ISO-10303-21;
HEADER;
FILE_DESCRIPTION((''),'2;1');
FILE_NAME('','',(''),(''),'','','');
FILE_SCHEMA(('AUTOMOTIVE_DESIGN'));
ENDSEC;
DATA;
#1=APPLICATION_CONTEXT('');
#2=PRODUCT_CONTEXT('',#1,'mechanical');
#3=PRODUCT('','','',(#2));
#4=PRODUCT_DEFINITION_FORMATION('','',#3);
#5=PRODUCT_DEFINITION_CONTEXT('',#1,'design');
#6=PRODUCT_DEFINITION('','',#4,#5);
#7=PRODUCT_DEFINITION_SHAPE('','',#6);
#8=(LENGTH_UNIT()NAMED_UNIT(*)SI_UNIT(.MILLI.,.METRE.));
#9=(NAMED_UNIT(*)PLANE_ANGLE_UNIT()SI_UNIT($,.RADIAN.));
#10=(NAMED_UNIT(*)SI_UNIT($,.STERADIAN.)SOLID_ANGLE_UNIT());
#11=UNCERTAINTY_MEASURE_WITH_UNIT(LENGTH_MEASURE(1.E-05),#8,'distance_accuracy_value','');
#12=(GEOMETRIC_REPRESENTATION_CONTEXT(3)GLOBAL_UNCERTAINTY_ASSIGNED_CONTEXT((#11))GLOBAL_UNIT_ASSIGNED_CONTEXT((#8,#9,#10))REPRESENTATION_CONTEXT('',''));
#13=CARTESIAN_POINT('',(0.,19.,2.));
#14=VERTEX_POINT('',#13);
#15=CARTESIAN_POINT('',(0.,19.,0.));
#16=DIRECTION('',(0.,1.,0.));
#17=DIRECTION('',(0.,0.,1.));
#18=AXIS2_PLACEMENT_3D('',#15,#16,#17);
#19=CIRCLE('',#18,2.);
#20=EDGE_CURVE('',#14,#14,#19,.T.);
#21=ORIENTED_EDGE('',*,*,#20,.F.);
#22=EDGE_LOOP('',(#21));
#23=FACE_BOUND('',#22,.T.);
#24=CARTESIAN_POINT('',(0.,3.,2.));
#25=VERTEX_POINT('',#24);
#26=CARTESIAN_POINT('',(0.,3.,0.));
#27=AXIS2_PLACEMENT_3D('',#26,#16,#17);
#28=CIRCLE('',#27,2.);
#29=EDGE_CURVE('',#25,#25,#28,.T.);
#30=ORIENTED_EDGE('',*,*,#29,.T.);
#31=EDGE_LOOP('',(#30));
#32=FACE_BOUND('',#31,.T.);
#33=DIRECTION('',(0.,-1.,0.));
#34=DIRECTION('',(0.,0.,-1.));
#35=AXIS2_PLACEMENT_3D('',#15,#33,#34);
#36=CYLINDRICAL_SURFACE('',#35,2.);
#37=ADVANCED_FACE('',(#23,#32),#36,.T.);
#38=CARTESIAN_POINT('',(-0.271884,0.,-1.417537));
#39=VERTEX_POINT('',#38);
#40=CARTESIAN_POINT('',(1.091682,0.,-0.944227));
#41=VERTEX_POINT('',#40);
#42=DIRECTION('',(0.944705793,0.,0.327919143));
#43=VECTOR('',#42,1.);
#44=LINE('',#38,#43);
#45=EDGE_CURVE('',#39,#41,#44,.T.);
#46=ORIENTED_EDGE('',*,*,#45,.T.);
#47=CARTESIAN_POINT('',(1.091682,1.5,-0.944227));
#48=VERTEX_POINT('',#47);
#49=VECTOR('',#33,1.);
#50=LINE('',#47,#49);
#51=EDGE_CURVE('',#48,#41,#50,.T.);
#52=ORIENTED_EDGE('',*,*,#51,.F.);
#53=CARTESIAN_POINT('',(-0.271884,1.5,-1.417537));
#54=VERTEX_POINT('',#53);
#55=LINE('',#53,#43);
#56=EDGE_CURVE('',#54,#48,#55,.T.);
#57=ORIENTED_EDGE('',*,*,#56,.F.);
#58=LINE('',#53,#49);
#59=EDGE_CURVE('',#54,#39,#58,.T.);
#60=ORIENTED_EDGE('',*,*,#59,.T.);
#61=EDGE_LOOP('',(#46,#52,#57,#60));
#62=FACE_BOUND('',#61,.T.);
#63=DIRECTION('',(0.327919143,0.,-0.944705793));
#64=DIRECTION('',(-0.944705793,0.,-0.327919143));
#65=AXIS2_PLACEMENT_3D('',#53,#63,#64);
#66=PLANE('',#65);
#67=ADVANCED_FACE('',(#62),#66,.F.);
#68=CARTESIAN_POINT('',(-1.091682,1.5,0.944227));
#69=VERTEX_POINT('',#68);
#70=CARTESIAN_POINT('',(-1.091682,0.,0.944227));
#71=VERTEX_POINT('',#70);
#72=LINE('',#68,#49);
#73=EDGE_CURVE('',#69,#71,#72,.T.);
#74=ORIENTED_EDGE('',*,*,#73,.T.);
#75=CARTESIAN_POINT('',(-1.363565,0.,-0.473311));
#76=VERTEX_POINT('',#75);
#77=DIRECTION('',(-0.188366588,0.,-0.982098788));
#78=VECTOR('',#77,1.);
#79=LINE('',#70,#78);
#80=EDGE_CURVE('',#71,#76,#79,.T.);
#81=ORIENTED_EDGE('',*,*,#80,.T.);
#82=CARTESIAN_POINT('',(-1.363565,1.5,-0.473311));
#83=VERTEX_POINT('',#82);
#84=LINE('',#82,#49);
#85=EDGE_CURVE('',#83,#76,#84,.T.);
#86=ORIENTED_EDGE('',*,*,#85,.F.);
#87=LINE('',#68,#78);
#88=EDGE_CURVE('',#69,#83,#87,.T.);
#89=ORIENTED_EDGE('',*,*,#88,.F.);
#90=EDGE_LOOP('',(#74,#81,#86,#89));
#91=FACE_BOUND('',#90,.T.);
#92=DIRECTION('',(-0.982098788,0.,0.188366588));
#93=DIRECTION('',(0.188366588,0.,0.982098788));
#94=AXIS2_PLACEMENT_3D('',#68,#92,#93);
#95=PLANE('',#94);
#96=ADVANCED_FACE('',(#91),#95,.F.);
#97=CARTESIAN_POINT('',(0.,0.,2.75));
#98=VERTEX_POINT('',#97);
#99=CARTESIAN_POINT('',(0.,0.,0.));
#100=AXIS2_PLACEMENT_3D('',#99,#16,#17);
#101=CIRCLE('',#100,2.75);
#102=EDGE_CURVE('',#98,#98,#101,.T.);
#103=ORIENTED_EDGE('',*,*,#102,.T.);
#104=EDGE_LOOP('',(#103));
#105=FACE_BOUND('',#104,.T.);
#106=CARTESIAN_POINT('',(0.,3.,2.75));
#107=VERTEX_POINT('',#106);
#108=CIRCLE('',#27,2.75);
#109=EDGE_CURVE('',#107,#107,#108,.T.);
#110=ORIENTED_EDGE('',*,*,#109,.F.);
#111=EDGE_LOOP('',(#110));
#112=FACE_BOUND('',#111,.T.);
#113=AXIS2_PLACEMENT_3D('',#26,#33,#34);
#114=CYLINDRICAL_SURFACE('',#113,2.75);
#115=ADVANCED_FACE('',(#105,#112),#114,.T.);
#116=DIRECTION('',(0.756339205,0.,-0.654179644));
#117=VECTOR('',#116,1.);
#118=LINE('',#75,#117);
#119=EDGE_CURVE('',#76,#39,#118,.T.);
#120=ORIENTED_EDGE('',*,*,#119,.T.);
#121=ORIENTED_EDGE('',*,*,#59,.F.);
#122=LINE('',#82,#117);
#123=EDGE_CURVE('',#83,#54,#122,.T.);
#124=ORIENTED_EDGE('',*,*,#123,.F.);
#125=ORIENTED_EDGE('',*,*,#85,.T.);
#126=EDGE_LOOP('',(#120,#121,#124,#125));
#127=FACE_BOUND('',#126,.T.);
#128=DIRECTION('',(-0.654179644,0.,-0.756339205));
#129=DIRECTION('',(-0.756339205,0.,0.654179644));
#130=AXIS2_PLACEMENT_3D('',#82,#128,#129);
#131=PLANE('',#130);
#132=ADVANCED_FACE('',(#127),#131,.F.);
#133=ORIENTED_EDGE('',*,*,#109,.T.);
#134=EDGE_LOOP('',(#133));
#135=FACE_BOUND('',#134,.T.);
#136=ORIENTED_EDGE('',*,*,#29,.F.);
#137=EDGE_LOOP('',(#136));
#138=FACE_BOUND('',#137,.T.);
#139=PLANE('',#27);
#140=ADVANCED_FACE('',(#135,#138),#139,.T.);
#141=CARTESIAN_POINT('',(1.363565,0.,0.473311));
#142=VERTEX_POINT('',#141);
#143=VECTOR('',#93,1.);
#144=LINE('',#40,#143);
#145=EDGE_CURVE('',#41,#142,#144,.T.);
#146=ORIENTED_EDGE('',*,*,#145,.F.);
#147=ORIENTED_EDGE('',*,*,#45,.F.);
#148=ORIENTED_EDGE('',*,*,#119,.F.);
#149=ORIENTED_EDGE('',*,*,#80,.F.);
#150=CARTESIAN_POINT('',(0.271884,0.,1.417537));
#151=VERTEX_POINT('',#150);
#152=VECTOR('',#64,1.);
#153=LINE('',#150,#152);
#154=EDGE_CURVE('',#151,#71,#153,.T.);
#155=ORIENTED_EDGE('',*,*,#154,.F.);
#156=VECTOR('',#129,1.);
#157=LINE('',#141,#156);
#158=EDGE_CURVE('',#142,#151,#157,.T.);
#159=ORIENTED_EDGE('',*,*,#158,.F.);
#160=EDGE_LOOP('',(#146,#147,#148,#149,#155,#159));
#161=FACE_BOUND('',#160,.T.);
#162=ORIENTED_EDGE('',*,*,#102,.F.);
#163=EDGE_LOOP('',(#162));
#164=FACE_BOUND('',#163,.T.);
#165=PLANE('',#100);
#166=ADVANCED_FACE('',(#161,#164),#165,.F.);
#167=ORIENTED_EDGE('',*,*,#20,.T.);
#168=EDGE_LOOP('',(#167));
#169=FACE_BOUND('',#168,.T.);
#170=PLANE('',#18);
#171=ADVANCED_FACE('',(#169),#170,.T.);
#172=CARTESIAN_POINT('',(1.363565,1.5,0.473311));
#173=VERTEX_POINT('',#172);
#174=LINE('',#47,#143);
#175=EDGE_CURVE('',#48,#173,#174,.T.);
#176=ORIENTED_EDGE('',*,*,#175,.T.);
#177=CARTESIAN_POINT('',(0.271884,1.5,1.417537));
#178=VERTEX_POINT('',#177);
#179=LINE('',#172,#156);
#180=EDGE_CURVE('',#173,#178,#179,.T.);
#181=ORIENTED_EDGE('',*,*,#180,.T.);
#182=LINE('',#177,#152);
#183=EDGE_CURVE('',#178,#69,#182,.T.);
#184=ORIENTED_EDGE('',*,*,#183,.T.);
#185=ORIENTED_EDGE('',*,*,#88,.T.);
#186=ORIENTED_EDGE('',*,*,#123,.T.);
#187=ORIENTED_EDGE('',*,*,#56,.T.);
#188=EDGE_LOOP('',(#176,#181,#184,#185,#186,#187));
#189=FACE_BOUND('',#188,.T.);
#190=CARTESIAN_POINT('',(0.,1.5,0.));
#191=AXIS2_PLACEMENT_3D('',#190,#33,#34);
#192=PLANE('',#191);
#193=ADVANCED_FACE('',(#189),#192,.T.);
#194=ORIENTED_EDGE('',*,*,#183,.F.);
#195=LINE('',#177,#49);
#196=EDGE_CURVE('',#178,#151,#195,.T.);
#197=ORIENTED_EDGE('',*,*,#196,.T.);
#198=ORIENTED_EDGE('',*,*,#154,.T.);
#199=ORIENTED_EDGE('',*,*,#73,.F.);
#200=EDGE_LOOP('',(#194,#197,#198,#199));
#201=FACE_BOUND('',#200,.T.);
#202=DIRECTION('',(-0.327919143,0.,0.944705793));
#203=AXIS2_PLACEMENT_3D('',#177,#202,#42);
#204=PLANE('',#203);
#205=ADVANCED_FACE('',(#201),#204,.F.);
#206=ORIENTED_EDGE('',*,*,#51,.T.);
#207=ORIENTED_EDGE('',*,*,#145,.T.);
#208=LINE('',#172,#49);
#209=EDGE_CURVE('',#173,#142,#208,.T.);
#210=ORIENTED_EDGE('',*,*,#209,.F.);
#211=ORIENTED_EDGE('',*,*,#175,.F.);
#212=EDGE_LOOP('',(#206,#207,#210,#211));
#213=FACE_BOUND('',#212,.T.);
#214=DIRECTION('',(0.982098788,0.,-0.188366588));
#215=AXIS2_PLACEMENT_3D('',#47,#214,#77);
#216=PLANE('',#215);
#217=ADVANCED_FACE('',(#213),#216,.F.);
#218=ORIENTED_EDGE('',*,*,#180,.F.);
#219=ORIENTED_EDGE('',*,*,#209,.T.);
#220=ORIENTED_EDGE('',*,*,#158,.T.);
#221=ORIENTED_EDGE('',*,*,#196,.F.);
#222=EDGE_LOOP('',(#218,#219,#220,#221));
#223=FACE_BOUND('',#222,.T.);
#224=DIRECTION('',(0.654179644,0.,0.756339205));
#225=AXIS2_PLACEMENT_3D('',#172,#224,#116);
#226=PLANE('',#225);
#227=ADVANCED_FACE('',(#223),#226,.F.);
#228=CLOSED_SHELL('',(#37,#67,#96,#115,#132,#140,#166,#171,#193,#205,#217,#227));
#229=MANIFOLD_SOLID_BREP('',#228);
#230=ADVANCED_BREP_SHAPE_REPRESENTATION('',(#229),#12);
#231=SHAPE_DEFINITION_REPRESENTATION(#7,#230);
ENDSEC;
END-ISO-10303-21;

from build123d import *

# Parameters (mm, degrees)
SKETCH_1_R          = 2.75
EXTRUDE_1_DEPTH     = 3
SKETCH_2_R          = 2
EXTRUDE_2_DEPTH     = 16
CUT_EXTRUDE_1_DEPTH = 1.5


with BuildPart() as part:
    # 草图1 → 凸台-拉伸1 (new body)
    with BuildSketch(Plane(origin=(0, 0, 0), x_dir=(1, 0, 0), z_dir=(0, 1, 0))):
        with Locations(Location((0, 0, 0), (0, 0, 270))):
            Circle(SKETCH_1_R)
    extrude(amount=EXTRUDE_1_DEPTH)

    # 草图2 → 凸台-拉伸2 (add)
    with BuildSketch(Plane(origin=(0, 3, 0), x_dir=(1, 0, 0), z_dir=(0, 1, 0))):
        with Locations(Location((0, 0, 0), (0, 0, 270))):
            Circle(SKETCH_2_R)
    extrude(amount=EXTRUDE_2_DEPTH)

    # 草图3 → 切除-拉伸1 (cut)
    with BuildSketch(Plane.XZ):
        Polygon((1.091681609, -0.944226984), (1.36356536, 0.473310514), (0.271883751, 1.417537498), (-1.091681609, 0.944226984), (-1.36356536, -0.473310514), (-0.271883751, -1.417537498), align=None)
    extrude(amount=-CUT_EXTRUDE_1_DEPTH, mode=Mode.SUBTRACT)


solid = part.part
